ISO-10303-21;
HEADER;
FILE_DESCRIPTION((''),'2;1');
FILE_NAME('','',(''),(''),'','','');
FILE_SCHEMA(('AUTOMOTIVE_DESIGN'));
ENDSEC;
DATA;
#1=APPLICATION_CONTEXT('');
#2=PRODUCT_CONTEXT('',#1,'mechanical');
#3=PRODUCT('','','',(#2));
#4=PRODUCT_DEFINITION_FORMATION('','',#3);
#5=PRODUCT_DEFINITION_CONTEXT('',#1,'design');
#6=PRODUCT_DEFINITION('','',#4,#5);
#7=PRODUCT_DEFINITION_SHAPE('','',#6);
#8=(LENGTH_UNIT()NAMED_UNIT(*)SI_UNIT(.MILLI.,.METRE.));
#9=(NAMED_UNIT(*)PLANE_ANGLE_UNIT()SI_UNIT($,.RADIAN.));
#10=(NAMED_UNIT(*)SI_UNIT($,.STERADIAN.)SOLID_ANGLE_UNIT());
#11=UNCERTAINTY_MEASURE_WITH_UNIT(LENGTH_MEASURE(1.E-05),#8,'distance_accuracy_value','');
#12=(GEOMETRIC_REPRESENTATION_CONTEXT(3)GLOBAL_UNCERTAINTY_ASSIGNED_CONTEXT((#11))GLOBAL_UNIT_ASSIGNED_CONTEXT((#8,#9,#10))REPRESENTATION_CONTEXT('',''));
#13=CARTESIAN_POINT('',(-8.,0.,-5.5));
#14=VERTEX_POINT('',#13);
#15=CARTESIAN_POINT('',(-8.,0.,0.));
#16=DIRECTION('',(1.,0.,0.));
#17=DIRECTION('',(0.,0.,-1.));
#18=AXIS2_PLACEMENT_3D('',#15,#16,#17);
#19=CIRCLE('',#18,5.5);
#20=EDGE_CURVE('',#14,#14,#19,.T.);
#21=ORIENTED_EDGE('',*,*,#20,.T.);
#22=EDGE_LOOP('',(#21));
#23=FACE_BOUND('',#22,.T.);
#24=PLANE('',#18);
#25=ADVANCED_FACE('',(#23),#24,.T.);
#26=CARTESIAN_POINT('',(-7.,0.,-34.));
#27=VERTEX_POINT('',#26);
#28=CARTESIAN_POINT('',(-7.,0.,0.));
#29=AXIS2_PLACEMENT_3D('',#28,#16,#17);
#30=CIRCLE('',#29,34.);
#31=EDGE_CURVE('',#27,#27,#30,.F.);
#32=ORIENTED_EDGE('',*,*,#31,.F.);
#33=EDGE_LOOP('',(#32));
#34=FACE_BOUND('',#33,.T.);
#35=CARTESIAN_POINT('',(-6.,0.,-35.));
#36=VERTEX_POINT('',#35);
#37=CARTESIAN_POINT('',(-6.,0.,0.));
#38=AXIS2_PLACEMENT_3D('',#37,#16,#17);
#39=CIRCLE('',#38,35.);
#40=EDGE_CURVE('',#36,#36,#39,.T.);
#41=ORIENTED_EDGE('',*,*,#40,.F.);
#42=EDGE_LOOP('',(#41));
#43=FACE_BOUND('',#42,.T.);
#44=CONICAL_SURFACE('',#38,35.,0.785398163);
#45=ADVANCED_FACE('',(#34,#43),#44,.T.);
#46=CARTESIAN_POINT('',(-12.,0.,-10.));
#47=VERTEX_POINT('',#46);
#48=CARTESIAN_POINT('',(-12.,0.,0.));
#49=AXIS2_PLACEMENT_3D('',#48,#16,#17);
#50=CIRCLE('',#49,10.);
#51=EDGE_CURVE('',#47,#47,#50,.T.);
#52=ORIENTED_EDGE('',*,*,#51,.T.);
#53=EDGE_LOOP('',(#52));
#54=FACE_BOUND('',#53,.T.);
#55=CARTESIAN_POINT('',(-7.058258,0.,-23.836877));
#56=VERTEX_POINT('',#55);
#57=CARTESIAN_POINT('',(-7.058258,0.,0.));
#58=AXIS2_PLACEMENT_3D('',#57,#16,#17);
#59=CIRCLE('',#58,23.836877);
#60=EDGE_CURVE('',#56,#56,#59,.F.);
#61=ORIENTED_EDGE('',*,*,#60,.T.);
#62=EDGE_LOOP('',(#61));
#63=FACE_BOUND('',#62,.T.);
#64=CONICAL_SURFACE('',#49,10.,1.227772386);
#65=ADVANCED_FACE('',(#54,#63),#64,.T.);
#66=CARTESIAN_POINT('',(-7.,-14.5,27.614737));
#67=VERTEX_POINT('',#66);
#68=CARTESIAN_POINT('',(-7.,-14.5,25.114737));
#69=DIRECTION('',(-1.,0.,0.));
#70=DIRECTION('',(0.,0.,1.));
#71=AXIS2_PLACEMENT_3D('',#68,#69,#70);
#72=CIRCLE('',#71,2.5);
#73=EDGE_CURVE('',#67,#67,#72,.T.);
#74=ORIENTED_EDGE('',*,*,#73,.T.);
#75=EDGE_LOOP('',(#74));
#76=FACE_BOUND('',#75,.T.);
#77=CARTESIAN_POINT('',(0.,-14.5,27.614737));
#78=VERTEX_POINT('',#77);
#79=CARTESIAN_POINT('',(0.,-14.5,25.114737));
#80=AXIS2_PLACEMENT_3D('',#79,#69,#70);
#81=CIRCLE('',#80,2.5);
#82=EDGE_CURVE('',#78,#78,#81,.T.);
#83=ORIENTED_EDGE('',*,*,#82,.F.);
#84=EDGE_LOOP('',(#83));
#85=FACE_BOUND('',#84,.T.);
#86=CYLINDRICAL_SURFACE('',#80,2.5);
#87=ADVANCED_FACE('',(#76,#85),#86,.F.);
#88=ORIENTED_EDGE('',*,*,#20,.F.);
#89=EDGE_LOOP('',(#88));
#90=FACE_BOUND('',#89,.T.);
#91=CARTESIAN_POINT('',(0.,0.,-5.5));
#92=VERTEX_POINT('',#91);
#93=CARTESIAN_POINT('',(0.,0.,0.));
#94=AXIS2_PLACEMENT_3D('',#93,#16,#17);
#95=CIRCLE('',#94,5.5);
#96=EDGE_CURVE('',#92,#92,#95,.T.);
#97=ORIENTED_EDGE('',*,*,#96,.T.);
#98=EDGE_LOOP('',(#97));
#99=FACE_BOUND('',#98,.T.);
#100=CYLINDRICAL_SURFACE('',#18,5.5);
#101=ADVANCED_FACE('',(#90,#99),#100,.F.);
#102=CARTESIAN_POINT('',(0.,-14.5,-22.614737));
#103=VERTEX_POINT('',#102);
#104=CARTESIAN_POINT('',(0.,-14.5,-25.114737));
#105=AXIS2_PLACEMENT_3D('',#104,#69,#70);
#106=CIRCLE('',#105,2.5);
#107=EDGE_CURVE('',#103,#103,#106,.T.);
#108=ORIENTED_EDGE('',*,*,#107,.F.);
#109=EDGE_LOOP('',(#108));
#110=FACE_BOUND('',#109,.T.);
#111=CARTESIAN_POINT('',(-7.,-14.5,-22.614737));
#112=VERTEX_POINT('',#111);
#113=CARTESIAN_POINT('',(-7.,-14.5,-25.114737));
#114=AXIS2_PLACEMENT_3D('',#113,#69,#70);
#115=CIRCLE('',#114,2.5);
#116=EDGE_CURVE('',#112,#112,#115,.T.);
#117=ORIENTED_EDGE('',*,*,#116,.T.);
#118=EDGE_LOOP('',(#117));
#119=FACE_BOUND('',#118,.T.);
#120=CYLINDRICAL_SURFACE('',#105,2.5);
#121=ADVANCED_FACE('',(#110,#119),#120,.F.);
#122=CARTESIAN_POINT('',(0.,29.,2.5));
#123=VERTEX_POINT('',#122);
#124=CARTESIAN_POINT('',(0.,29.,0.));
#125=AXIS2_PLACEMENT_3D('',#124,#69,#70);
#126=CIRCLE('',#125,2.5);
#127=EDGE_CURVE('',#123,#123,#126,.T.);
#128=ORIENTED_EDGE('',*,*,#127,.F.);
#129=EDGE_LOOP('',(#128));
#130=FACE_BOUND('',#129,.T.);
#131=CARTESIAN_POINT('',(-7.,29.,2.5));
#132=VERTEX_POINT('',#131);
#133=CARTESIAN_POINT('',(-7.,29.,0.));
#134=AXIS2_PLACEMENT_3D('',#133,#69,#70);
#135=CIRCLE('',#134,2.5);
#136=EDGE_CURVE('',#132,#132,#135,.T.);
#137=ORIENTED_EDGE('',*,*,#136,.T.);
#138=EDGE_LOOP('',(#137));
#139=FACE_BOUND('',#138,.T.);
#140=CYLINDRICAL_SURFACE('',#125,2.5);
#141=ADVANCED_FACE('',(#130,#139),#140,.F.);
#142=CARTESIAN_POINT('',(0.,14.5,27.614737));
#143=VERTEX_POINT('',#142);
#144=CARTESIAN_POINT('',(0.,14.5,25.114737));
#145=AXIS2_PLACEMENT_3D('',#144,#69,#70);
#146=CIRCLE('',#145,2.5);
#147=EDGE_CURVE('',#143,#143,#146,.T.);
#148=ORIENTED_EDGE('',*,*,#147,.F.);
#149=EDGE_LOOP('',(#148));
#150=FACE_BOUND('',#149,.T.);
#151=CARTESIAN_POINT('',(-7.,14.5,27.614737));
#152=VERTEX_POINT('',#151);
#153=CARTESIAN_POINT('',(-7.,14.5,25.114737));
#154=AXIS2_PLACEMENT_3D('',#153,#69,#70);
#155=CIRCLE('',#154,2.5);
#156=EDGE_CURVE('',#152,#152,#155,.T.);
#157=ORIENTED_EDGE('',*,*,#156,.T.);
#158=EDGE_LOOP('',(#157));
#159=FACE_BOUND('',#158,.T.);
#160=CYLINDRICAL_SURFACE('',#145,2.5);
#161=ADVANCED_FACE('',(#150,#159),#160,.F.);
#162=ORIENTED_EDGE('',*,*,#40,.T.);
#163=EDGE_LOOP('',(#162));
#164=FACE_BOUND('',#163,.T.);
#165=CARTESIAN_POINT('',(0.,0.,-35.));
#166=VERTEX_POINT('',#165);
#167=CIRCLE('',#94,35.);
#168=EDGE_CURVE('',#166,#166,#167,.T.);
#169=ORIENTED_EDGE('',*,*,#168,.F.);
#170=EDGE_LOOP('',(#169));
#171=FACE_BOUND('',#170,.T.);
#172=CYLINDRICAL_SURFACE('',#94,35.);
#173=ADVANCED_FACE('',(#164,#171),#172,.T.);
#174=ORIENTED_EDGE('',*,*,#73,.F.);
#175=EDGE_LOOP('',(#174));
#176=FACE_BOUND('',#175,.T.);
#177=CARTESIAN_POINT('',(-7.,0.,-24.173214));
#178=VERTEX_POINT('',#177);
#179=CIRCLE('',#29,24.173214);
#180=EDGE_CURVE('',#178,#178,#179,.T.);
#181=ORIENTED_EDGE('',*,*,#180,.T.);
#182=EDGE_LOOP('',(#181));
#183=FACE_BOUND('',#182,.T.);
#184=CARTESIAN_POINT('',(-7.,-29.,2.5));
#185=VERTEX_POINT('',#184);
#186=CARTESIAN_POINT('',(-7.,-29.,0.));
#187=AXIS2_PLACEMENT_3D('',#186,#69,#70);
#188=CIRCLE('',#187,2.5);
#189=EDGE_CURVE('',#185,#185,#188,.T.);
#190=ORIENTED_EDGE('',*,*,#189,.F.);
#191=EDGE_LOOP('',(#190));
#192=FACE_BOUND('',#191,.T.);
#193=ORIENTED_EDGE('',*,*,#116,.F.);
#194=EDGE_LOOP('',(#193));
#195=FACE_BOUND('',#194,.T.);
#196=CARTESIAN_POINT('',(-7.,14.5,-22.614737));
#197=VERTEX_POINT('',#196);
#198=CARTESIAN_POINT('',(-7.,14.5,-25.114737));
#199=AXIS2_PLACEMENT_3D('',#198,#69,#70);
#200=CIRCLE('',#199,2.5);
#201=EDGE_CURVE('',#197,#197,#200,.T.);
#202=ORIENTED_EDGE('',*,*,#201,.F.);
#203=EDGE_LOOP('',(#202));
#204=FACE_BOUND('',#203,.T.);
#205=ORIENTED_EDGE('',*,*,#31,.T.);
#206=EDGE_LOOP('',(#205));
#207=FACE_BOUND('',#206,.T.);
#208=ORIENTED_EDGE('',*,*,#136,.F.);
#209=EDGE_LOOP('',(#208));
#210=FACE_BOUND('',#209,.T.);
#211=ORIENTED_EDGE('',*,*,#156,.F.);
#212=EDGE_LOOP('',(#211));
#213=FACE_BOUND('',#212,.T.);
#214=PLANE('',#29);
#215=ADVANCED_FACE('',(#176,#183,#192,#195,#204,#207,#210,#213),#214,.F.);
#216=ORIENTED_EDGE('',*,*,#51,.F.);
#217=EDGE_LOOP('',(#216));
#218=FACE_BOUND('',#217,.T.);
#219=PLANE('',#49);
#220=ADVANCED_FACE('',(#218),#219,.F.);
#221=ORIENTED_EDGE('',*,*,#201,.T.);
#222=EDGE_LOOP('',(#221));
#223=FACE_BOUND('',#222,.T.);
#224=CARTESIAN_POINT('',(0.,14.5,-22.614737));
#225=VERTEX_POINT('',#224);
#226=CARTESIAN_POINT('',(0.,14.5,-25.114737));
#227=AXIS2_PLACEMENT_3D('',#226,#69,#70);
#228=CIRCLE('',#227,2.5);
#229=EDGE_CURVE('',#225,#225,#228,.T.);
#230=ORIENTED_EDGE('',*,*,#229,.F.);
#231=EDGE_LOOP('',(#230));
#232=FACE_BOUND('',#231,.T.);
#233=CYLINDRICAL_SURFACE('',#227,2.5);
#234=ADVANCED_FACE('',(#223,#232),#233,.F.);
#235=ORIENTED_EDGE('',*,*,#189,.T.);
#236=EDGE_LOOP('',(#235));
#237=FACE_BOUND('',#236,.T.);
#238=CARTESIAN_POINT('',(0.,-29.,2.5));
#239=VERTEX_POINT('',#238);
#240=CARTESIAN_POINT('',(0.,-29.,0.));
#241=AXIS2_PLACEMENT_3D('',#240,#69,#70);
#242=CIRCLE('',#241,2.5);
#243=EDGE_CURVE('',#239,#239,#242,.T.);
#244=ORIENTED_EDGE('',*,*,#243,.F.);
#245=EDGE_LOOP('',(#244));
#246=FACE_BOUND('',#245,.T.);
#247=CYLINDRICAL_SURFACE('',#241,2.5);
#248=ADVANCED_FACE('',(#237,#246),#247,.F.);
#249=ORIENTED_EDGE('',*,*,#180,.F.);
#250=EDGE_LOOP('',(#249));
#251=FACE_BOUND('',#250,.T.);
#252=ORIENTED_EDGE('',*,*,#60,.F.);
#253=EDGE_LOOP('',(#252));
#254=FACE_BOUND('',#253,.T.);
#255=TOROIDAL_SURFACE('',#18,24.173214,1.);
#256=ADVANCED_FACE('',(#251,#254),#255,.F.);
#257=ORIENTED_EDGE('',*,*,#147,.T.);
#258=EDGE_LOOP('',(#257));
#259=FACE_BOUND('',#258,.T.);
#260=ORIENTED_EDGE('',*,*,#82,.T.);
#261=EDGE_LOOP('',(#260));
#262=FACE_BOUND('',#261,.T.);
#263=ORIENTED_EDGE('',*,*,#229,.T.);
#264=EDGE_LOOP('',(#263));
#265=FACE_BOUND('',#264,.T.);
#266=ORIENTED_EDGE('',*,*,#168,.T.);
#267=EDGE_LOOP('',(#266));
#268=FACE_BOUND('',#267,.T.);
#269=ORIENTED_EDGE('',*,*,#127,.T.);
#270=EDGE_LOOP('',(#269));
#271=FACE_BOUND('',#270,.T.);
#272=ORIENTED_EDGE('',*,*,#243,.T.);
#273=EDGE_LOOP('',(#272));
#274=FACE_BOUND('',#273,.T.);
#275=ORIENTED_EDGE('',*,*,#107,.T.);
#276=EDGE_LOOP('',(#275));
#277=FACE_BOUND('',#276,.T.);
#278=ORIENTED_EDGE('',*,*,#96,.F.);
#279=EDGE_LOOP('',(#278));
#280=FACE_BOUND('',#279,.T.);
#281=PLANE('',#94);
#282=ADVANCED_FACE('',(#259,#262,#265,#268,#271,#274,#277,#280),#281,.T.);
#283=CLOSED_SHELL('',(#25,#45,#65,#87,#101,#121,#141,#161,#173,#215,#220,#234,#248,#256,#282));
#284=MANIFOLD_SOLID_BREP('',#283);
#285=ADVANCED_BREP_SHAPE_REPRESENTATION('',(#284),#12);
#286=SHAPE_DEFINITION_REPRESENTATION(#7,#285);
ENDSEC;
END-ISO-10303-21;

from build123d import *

# Parameters (mm, degrees)
SCHIZZO1_W               = 7
SCHIZZO1_H               = 35
SCHIZZO2_R               = 2.5
TAGLIO_ESTRUSIONE1_DEPTH = 50.989999
SCHIZZO3_R               = 5.5
TAGLIO_ESTRUSIONE2_DEPTH = 8
RACCORDO1_R              = 1
SMUSSO1_SIZE             = 1


with BuildPart() as part:
    # Schizzo1 → Rivoluzione1 (revolve)
    with BuildSketch(Plane(origin=(0, 0, 0), x_dir=(1, 0, 0), z_dir=(0, 1, 0)), mode=Mode.PRIVATE) as rivoluzione1_sk:
        Polygon((-7, -24), (-7, 0), (-12, 0), (-12, -10), align=None)
        with Locations((-3.5, -17.5)):
            Rectangle(SCHIZZO1_W, SCHIZZO1_H)
    revolve(rivoluzione1_sk.sketch.rotate(Axis((0, 0, 0), (-1, 0, 0)), 180), axis=Axis((0, 0, 0), (-1, 0, 0)))

    # Schizzo2 → Taglio-Estrusione1 (cut, through all)
    with BuildSketch(Plane.ZY.offset(7)):
        with Locations((0, 29)):
            Circle(SCHIZZO2_R)
        with Locations((-25.11473671, 14.5)):
            Circle(SCHIZZO2_R)
        with Locations((-25.11473671, -14.5)):
            Circle(SCHIZZO2_R)
        with Locations((0, -29)):
            Circle(SCHIZZO2_R)
        with Locations((25.11473671, -14.5)):
            Circle(SCHIZZO2_R)
        with Locations((25.11473671, 14.5)):
            Circle(SCHIZZO2_R)
    extrude(amount=-TAGLIO_ESTRUSIONE1_DEPTH, mode=Mode.SUBTRACT)

    # Schizzo3 → Taglio-Estrusione2 (cut)
    with BuildSketch(Plane(origin=(0, 0, 0), x_dir=(0, 0, -1), z_dir=(1, 0, 0))):
        Circle(SCHIZZO3_R)
    extrude(amount=-TAGLIO_ESTRUSIONE2_DEPTH, mode=Mode.SUBTRACT)

    # Raccordo1
    raccordo1_edges = [part.edges().sort_by_distance(p)[0] for p in [
        (-7, 0, 24),
    ]]
    fillet(raccordo1_edges, radius=RACCORDO1_R)

    # Smusso1
    smusso1_edges = [part.edges().sort_by_distance(p)[0] for p in [
        (-7, 0, 35),
    ]]
    chamfer(smusso1_edges, length=SMUSSO1_SIZE)


solid = part.part
